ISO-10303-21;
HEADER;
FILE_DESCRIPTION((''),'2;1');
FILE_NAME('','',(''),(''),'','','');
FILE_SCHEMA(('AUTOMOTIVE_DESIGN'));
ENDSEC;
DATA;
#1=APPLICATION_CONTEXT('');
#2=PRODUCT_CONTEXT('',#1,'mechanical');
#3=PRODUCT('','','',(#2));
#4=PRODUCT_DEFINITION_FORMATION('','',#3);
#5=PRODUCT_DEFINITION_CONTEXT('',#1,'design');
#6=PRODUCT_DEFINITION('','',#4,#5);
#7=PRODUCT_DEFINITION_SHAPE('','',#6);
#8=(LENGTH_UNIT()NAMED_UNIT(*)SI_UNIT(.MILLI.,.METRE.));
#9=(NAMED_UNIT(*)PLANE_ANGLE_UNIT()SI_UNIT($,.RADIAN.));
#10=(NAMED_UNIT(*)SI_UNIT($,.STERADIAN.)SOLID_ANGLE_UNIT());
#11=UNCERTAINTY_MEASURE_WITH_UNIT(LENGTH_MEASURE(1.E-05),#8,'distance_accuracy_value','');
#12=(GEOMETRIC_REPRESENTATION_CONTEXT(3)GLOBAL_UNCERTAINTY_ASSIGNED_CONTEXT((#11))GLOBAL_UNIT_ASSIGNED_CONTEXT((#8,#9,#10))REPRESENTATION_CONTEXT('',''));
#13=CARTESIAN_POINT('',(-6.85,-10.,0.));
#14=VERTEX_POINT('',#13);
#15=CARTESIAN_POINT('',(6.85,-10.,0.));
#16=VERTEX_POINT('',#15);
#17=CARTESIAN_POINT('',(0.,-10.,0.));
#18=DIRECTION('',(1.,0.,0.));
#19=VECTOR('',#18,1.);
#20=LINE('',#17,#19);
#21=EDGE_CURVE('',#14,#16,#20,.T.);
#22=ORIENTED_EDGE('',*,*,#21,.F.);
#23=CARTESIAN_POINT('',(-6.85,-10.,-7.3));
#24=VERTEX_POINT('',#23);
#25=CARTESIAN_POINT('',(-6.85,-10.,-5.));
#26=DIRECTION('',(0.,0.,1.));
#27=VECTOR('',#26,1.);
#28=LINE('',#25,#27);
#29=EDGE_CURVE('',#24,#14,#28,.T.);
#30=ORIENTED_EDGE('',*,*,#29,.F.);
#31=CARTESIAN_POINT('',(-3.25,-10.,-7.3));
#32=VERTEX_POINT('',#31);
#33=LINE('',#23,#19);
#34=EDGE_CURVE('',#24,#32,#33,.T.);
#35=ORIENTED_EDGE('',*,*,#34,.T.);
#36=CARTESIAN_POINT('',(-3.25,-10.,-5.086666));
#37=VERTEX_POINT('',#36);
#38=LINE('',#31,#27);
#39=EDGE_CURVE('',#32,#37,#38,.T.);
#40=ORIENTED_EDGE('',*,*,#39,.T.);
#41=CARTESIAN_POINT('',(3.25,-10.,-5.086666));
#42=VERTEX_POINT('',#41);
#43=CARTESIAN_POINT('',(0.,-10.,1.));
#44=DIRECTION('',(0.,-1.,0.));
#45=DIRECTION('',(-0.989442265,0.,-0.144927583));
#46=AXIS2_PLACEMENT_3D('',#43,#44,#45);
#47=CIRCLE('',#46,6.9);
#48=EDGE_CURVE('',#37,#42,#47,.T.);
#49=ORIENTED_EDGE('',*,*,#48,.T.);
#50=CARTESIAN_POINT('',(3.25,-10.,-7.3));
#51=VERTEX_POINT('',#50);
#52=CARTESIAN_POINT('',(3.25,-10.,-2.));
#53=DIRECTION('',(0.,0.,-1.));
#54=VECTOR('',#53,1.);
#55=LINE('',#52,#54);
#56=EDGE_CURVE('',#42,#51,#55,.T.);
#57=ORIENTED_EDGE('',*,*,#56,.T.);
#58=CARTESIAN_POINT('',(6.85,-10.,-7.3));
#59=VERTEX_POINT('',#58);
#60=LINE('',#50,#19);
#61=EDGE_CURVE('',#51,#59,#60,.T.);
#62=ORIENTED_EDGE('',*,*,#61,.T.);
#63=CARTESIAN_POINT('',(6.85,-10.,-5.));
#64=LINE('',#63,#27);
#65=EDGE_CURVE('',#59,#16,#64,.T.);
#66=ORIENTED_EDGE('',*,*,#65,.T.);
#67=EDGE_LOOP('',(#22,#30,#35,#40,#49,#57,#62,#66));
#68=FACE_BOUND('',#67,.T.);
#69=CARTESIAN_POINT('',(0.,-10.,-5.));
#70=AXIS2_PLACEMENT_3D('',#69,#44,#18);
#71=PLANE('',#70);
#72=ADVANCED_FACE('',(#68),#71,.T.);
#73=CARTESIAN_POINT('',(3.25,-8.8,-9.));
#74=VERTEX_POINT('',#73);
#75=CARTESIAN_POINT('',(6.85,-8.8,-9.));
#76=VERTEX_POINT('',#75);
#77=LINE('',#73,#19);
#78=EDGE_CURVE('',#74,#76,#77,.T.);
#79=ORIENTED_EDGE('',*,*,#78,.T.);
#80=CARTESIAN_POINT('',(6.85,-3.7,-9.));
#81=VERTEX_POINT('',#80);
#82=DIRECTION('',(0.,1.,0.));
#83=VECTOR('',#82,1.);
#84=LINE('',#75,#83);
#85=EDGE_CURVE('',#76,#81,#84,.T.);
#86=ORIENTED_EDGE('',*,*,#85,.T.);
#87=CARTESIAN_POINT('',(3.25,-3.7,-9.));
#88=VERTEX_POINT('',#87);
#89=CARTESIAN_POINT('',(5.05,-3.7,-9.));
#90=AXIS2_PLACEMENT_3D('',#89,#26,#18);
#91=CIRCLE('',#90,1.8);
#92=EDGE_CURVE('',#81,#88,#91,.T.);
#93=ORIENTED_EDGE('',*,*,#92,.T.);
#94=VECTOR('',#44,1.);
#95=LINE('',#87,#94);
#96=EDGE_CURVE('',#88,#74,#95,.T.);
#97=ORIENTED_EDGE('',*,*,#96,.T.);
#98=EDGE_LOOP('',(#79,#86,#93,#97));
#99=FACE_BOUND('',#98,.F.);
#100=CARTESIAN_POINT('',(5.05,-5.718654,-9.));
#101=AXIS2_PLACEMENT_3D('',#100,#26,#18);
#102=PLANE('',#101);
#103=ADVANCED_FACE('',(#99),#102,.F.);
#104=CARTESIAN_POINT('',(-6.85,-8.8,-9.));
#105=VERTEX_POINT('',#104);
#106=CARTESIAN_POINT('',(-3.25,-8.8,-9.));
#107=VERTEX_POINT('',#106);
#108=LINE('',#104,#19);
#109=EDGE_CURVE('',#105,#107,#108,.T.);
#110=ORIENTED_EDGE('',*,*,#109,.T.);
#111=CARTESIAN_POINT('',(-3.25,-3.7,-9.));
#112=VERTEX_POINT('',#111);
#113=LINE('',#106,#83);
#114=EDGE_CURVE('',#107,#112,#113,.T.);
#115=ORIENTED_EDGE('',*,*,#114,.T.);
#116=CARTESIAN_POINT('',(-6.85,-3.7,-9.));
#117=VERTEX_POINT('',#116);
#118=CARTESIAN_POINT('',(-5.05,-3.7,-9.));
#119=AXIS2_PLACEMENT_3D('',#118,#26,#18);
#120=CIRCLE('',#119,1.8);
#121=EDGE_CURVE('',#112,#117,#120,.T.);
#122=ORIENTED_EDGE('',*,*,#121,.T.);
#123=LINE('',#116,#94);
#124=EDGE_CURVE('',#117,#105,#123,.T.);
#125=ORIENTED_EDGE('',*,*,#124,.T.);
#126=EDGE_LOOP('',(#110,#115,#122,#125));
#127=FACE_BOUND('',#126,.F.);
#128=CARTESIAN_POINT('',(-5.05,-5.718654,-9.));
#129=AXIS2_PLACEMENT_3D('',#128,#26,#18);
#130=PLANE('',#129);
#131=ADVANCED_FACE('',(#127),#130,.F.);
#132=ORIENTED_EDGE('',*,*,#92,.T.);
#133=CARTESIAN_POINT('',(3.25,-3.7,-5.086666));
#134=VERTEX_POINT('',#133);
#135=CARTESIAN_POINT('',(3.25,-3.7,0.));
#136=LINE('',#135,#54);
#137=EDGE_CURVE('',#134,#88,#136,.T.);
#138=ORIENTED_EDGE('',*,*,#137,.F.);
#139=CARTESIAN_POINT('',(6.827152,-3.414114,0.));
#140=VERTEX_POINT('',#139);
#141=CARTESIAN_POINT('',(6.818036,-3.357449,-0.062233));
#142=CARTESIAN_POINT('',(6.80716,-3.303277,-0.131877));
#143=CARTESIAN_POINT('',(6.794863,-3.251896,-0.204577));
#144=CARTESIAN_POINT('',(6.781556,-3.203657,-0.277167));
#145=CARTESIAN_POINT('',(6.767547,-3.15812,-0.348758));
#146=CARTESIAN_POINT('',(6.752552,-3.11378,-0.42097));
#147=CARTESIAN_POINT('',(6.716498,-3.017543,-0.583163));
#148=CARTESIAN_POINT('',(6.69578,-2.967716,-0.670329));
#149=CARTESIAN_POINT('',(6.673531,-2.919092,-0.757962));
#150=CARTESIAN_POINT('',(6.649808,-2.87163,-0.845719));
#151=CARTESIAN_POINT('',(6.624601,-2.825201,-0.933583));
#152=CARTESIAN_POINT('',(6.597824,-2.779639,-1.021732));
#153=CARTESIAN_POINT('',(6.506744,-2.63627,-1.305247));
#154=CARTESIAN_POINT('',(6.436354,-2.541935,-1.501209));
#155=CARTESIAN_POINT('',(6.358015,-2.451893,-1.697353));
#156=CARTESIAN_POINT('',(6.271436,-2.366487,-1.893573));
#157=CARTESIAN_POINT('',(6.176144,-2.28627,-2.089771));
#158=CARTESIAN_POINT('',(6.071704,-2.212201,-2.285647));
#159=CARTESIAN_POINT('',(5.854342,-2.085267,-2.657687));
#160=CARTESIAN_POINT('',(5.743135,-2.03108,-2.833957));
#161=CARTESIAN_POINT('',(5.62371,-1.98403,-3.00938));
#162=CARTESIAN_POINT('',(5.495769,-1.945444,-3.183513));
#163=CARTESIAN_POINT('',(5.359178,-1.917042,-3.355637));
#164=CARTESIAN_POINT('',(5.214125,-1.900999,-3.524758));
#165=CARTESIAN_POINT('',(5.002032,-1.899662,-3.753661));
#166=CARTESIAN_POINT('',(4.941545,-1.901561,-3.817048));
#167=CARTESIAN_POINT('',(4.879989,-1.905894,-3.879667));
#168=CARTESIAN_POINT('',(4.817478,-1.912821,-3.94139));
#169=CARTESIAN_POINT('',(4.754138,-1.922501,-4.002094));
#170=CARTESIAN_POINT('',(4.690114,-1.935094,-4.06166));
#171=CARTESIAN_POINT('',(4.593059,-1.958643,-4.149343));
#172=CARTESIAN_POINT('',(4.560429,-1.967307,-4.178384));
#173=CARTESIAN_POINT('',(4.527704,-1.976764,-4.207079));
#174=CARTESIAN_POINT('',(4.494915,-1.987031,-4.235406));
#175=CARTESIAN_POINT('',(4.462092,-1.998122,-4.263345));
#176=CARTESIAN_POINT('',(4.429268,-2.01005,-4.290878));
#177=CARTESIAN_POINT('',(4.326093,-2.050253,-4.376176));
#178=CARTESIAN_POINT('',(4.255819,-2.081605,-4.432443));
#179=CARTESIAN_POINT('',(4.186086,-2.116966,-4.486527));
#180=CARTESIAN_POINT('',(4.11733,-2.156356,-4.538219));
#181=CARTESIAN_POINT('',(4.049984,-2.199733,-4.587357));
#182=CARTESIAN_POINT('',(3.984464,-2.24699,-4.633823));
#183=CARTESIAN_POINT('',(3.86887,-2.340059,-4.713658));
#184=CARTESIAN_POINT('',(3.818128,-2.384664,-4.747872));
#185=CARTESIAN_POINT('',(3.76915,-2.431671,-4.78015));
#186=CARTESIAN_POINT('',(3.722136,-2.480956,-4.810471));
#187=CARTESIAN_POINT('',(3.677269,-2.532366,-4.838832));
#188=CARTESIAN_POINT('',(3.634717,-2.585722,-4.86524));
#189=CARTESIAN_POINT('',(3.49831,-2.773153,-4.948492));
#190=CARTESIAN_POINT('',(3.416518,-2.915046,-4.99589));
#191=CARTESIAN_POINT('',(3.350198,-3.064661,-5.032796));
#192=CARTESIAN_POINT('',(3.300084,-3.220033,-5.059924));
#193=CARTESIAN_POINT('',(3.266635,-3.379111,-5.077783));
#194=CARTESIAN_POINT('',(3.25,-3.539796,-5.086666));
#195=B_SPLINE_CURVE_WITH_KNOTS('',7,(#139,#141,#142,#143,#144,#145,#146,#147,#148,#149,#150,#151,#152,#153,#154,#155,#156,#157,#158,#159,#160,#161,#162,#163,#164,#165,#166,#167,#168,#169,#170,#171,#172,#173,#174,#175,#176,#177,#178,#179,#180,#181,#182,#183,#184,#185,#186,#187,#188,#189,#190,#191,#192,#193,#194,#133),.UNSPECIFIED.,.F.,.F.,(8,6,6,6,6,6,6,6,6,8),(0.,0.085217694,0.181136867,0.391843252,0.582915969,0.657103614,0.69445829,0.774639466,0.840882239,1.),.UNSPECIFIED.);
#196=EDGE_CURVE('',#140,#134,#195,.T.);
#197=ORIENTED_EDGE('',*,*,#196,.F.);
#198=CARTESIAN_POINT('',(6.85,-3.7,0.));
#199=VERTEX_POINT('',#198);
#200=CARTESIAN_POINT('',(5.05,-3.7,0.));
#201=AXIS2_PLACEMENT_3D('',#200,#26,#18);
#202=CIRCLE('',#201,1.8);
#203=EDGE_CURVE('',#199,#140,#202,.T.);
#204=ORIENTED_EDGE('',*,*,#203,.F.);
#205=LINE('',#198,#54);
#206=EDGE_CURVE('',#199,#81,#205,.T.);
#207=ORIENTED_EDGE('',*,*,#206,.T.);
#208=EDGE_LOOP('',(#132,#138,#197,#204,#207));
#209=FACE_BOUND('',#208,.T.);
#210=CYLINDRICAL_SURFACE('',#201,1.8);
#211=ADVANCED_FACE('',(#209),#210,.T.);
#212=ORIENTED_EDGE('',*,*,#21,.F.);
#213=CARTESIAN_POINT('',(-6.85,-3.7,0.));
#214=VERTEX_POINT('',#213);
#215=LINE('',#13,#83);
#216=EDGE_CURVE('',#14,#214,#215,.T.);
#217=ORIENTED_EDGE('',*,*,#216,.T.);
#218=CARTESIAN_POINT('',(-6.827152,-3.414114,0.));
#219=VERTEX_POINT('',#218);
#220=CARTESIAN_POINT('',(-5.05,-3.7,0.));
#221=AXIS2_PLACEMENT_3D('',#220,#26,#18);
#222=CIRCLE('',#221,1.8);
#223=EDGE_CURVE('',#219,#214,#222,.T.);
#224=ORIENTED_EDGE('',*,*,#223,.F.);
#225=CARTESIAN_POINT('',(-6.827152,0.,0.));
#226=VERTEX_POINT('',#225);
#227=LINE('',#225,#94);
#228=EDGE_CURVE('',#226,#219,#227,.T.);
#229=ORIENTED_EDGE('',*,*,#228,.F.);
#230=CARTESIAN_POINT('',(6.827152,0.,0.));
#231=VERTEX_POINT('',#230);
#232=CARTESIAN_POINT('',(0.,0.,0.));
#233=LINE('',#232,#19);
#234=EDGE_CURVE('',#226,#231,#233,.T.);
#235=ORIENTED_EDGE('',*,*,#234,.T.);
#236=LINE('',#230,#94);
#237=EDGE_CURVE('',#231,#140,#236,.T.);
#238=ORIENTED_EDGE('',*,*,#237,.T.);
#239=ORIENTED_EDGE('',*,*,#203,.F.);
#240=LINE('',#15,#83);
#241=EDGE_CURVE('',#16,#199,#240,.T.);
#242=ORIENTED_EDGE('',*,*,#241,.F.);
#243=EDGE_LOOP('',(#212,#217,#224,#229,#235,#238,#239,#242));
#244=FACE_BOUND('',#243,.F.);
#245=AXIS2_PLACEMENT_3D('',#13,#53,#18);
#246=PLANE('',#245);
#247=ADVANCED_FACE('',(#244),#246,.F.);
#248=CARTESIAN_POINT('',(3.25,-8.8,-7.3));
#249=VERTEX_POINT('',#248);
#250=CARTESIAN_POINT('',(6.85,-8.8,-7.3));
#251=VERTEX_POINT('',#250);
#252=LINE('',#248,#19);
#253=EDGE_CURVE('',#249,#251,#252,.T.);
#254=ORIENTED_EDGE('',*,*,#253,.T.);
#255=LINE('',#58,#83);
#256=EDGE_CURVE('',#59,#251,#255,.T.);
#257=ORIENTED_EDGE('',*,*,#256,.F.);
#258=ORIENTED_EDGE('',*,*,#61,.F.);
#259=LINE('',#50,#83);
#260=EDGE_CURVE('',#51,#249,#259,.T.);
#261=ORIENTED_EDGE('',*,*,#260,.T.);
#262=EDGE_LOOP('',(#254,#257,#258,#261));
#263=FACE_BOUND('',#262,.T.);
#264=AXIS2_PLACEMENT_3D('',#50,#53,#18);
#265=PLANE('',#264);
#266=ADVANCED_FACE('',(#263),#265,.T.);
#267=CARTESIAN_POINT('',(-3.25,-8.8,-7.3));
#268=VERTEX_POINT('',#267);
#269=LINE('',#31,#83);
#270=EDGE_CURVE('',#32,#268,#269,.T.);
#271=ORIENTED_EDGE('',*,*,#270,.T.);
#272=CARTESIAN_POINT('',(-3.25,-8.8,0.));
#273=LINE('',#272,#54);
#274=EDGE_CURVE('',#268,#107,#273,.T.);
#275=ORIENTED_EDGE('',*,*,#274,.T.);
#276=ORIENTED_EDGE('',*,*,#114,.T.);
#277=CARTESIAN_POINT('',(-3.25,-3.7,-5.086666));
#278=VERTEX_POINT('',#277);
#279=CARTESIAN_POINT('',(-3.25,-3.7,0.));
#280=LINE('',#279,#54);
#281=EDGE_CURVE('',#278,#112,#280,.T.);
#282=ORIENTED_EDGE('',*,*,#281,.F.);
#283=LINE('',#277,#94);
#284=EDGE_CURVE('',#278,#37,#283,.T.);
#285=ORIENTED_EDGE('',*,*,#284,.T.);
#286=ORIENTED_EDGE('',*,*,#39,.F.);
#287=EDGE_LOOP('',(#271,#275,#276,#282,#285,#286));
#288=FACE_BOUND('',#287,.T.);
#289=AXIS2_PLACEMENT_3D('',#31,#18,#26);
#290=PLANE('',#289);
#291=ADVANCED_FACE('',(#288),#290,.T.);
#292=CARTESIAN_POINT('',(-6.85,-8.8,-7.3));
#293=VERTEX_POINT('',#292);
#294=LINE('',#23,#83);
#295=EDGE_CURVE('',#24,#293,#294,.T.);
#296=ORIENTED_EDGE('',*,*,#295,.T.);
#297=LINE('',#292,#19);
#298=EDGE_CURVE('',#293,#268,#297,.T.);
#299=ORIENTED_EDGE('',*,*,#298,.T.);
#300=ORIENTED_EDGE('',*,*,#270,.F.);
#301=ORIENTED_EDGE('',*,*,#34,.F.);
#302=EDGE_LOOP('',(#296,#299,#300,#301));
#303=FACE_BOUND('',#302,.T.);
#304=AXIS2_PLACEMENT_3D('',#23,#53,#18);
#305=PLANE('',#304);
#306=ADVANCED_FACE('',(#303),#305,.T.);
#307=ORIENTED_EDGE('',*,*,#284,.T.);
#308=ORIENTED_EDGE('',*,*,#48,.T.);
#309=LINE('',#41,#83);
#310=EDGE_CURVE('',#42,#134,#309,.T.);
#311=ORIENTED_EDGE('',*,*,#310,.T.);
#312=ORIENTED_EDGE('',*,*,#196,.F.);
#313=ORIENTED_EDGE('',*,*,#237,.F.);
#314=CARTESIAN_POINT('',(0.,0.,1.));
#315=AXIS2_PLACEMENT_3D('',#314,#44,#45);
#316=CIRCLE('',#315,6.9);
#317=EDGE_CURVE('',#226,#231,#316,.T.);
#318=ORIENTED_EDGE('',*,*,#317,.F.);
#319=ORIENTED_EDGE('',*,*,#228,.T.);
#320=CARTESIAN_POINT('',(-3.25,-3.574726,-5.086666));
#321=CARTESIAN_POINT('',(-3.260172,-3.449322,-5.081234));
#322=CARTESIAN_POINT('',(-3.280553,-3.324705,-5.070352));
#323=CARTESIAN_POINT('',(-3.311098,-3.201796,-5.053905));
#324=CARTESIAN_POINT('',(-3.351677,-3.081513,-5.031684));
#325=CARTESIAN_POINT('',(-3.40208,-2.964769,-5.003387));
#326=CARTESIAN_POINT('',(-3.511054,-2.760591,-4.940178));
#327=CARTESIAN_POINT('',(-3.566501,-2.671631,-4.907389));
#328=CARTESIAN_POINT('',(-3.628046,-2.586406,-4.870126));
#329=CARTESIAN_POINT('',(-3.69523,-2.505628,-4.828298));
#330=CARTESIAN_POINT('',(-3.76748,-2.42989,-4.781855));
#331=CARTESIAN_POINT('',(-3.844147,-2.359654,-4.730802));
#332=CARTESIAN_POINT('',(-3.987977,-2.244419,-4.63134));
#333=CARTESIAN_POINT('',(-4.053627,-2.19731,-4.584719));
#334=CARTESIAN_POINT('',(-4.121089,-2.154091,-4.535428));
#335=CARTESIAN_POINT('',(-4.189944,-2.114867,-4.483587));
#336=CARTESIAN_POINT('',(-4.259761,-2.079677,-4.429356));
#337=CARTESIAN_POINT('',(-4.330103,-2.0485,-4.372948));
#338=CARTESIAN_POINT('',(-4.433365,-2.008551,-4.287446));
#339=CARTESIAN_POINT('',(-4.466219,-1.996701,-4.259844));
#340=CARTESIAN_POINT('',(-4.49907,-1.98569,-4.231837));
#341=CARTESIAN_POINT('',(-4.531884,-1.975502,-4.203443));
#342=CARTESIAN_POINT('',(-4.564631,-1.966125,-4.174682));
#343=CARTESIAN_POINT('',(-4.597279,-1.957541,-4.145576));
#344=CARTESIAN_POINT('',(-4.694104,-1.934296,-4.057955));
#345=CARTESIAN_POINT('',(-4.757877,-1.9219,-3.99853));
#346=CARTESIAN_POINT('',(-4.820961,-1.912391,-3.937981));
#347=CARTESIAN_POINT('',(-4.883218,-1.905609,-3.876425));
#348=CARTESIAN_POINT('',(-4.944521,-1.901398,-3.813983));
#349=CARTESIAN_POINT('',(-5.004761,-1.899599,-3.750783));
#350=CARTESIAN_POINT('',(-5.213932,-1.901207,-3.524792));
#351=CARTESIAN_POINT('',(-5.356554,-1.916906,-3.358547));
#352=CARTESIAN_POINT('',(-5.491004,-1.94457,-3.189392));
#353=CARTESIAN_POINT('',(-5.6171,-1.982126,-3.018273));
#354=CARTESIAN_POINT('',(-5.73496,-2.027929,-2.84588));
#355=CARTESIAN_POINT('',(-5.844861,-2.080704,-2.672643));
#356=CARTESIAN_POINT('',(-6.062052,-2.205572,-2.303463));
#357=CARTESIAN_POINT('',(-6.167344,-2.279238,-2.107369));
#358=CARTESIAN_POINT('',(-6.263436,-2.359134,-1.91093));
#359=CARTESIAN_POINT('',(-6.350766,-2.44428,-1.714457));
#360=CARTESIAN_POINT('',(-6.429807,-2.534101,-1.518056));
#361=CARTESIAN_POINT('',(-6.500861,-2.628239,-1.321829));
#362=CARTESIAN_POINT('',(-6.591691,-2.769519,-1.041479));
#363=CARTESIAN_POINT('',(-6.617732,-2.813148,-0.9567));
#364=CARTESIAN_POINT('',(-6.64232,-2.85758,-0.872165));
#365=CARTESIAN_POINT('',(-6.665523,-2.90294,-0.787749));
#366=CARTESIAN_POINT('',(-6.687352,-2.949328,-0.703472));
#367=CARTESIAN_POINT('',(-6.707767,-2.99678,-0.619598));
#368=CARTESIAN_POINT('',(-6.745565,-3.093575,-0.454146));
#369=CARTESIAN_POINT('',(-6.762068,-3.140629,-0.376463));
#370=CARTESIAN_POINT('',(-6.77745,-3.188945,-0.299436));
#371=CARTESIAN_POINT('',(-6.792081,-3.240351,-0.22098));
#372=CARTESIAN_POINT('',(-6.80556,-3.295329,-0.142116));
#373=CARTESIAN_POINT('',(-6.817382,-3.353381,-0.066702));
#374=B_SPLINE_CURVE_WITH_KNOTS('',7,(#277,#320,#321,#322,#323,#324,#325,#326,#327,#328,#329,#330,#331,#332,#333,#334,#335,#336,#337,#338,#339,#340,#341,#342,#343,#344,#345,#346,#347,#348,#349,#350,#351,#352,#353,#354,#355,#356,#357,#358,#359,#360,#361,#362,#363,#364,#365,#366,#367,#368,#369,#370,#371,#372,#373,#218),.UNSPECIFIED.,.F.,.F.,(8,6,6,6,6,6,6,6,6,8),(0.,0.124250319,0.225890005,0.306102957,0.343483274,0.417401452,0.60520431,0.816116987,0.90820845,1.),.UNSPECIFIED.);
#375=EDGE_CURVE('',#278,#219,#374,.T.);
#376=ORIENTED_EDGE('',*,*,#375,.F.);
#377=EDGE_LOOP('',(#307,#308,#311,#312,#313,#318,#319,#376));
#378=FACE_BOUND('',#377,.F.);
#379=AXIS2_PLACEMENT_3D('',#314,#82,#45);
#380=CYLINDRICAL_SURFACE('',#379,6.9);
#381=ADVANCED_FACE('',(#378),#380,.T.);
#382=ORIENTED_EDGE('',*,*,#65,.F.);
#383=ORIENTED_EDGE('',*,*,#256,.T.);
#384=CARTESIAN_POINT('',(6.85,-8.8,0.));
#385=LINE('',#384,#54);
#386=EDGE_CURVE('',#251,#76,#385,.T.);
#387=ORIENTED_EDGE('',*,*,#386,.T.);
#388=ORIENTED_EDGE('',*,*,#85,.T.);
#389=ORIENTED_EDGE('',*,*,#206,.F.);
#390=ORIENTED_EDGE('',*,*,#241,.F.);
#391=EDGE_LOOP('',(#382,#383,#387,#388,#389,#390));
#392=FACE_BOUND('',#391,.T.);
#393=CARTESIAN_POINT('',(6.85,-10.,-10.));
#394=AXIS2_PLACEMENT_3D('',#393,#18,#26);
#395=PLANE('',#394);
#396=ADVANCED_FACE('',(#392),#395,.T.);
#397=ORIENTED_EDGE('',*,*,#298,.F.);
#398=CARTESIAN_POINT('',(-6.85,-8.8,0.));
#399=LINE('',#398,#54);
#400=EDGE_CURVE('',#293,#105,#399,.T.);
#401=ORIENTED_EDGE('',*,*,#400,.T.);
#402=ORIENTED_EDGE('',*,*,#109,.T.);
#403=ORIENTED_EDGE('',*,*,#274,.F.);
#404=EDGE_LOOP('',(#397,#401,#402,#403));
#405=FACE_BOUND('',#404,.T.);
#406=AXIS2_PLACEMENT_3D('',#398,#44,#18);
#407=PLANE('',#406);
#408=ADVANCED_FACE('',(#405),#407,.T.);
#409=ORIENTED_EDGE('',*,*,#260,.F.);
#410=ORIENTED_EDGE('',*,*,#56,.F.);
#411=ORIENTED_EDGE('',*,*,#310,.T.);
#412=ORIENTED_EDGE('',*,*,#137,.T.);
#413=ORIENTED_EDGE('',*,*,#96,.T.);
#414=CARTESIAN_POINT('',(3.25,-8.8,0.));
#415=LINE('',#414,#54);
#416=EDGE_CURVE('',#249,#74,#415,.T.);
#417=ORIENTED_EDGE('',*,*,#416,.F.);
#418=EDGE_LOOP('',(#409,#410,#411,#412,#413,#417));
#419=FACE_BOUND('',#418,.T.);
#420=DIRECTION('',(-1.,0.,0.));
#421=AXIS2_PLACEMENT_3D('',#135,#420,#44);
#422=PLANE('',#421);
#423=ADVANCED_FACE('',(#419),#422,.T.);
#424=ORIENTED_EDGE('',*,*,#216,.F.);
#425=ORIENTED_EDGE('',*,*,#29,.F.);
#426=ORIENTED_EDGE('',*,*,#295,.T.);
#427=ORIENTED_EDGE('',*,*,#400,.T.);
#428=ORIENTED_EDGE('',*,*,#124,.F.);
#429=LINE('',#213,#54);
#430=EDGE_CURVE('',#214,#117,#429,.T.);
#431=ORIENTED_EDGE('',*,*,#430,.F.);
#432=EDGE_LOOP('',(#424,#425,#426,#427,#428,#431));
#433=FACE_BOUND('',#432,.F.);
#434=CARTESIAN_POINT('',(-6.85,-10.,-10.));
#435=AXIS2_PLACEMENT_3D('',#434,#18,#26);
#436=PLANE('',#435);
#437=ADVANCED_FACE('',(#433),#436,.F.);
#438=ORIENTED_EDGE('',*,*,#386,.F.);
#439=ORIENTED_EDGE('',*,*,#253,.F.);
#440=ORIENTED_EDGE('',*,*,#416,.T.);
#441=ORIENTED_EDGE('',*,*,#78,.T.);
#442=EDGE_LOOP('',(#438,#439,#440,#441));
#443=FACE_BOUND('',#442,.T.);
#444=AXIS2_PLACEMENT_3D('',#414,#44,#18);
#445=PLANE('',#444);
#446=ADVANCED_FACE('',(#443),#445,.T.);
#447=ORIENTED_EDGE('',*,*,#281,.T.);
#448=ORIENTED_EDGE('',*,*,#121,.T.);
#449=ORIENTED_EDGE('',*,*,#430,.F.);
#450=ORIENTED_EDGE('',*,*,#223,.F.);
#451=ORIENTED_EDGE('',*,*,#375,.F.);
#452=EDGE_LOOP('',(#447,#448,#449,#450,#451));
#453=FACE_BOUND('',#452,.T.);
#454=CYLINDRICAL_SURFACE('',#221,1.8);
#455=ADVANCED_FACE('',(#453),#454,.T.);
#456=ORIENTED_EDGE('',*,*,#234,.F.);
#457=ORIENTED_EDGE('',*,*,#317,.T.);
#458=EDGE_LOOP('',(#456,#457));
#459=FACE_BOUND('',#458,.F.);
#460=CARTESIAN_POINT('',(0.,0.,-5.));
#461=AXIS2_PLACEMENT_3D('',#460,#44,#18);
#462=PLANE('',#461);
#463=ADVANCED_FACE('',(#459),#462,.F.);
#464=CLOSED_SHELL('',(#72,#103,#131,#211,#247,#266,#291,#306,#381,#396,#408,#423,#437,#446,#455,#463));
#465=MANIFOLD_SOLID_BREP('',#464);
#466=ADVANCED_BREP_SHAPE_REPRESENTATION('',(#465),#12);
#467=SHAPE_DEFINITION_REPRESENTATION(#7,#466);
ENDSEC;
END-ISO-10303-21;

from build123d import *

# Parameters (mm, degrees)
PAD_DEPTH       = 10
POCKET_DEPTH    = 9
POCKET001_DEPTH = 1.2
SKETCH009_W     = 13.7
SKETCH009_H     = 10
PAD001_DEPTH    = 10


with BuildPart() as schienenauflage:
    # Sketch → Pad (new body)
    with BuildSketch(Plane.XZ):
        with BuildLine():
            ThreePointArc((-6.827152, 0), (0, -5.9), (6.827152, 0))
            Line((8, 0), (6.827152, 0))
            Line((8, -10), (8, 0))
            Line((-8, -10), (8, -10))
            Line((-8, 0), (-8, -10))
            Line((-6.827152, 0), (-8, 0))
        make_face()
    extrude(amount=PAD_DEPTH)

    # Sketch007 → Pocket (cut)
    with BuildSketch(Plane.XY):
        with BuildLine():
            Line((-6.85, -3.7), (-6.85, -8.8))
            Line((-6.85, -8.8), (-3.25, -8.8))
            Line((-3.25, -8.8), (-3.25, -3.7))
            ThreePointArc((-3.25, -3.7), (-5.05, -1.9), (-6.85, -3.7))
        make_face()
        with BuildLine():
            Line((3.25, -3.7), (3.25, -8.8))
            Line((3.25, -8.8), (6.85, -8.8))
            Line((6.85, -8.8), (6.85, -3.7))
            ThreePointArc((6.85, -3.7), (5.05, -1.9), (3.25, -3.7))
        make_face()
    extrude(amount=-POCKET_DEPTH, mode=Mode.SUBTRACT)

    # Sketch008 (on Face7 of Pocket) → Pocket001 (cut)
    with BuildSketch(Plane.XZ.offset(10)):
        Polygon((-6.85, 0), (-6.85, -7.3), (-3.25, -7.3), (-3.25, -2), (3.25, -2), (3.25, -7.3), (6.85, -7.3), (6.85, 0), align=None)
    extrude(amount=-POCKET001_DEPTH, mode=Mode.SUBTRACT)


with BuildPart() as body001:
    # Sketch009 (on ShapeBinder) → Pad001 (new body)
    with BuildSketch(Plane.XZ.offset(10)):
        with Locations((0, -5)):
            Rectangle(SKETCH009_W, SKETCH009_H)
    extrude(amount=-PAD001_DEPTH)

    # Boolean: cut Schienenauflage
    add(schienenauflage.part, mode=Mode.SUBTRACT)


solid = body001.part
